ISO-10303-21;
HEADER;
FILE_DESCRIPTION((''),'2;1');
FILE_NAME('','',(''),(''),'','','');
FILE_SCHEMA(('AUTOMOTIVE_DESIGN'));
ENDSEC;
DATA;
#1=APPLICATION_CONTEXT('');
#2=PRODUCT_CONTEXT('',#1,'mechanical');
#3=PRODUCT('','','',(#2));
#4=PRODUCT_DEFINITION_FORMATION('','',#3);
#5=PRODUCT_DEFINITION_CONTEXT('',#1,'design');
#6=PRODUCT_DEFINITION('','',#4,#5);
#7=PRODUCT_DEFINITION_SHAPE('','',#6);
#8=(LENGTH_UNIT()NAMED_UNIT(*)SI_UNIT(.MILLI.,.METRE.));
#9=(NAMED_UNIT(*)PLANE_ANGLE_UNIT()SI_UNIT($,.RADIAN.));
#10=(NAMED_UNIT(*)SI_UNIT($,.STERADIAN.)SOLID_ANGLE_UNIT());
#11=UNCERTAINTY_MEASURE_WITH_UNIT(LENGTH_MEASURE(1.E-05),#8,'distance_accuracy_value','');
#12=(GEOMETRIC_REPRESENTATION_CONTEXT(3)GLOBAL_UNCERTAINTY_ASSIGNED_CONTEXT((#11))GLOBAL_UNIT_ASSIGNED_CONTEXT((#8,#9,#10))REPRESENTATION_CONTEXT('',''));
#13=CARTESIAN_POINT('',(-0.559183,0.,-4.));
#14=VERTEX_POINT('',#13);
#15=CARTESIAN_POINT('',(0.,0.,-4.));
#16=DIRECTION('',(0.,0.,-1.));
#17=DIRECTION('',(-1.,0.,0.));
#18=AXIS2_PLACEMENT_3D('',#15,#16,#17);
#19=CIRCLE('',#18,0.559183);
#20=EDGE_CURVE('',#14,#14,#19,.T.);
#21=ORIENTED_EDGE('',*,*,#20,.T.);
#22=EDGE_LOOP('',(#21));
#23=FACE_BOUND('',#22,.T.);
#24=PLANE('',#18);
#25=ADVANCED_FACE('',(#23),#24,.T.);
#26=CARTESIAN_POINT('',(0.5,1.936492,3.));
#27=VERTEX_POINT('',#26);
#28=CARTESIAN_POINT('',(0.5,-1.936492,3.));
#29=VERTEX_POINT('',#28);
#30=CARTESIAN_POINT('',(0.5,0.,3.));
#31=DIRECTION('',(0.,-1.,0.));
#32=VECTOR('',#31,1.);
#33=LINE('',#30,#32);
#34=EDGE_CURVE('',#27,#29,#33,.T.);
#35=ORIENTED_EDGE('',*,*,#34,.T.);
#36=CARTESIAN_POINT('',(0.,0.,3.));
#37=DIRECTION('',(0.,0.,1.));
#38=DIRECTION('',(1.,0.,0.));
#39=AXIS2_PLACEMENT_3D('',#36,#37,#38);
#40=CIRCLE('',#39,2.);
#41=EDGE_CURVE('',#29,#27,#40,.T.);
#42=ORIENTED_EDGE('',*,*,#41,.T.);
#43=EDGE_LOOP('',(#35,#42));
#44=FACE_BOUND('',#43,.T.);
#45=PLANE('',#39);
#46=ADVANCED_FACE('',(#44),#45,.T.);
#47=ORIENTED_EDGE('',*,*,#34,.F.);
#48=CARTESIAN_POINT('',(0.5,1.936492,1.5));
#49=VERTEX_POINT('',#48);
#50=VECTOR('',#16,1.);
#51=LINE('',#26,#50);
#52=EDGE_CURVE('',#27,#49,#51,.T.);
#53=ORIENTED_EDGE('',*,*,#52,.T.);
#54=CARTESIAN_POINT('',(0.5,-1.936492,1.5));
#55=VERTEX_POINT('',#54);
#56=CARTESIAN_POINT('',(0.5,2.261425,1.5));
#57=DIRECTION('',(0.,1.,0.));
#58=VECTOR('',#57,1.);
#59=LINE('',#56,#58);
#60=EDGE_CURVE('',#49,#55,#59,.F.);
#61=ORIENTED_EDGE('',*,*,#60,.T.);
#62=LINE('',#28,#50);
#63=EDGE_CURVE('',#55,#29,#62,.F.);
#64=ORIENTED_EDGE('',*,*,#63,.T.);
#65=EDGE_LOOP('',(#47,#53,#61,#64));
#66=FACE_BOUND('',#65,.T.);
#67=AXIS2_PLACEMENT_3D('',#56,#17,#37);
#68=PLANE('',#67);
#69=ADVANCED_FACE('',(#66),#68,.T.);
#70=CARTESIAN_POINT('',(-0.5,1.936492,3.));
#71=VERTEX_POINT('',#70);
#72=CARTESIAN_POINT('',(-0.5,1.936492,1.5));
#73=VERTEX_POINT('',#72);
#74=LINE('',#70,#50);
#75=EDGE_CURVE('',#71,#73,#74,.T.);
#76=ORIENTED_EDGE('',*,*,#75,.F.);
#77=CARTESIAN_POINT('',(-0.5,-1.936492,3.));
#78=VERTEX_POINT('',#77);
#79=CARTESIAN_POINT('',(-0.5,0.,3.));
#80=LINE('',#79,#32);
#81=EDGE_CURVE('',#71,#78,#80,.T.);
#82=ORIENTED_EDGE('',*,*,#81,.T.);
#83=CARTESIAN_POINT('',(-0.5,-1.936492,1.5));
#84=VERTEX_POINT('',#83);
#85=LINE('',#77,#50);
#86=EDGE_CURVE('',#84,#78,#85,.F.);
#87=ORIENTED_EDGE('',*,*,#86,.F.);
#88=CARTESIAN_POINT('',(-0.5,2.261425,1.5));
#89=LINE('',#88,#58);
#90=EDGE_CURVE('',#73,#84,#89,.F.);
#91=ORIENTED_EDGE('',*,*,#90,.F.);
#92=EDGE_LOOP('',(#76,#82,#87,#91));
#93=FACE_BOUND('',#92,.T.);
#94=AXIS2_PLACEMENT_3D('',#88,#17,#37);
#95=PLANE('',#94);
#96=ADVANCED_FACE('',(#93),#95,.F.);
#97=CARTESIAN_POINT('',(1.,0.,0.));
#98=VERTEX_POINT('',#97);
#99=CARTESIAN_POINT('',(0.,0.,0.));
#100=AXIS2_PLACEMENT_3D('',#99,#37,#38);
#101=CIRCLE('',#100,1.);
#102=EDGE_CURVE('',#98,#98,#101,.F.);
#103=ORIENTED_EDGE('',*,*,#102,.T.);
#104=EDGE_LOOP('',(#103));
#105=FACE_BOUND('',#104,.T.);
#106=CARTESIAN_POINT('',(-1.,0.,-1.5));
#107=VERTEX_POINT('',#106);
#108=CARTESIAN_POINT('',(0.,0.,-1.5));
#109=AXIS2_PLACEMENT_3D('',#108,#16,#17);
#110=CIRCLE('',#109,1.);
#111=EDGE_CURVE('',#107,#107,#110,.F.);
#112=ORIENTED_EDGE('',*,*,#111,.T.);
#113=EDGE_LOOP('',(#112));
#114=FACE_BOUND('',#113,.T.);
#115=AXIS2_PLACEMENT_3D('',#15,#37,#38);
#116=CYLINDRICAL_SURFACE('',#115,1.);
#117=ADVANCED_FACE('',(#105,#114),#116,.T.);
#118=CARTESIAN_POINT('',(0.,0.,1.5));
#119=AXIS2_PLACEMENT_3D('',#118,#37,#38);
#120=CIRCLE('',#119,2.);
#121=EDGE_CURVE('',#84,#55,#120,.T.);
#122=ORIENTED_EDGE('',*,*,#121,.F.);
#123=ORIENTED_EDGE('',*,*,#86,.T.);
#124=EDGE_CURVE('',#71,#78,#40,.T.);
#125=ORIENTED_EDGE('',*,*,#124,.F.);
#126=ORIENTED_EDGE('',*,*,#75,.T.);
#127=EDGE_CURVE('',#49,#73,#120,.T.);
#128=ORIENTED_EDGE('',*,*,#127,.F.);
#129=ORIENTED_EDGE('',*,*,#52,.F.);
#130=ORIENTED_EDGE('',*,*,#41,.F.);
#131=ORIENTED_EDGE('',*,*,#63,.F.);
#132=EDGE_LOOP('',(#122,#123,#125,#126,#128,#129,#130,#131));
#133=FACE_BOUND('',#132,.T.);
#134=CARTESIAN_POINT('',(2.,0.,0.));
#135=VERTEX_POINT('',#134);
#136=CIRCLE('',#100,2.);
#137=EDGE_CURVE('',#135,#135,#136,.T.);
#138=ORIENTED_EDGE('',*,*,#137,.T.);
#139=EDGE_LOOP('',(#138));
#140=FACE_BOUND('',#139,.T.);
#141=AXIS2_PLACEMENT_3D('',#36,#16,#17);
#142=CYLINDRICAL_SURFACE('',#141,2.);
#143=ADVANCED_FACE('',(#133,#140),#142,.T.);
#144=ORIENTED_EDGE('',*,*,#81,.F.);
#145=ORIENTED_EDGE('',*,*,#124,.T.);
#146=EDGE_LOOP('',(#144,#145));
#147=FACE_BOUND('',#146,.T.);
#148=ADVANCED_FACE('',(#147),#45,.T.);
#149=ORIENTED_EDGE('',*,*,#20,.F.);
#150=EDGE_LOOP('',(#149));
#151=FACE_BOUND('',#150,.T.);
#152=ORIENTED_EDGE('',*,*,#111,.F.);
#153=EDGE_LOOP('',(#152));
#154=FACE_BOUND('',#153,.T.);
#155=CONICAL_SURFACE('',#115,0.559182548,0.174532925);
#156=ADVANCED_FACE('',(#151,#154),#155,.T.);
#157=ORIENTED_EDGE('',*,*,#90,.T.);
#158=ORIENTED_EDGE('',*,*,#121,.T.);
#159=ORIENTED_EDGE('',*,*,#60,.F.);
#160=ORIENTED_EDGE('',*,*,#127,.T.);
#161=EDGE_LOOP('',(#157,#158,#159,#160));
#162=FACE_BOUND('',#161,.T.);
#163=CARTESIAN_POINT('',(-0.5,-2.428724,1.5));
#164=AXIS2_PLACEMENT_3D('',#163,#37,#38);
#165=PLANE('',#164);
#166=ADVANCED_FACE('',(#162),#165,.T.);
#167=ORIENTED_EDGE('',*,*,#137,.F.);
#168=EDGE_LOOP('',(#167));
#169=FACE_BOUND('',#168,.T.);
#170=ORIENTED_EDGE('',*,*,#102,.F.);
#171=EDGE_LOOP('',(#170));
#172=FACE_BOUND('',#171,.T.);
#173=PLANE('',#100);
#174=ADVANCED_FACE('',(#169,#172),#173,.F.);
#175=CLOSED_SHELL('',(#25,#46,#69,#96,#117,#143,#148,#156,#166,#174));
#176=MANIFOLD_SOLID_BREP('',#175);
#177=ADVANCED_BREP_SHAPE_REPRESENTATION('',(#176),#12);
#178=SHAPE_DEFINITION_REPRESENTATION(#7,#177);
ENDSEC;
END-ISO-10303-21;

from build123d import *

# Parameters (mm, degrees)
ESQUISSE1_R                     = 2
BASE_EXTRUSION_DEPTH            = 3
ESQUISSE2_R                     = 1
BOSS_EXTRU_1_DEPTH              = 4
CHANFREIN2_SIZE                 = 2.5
CHANFREIN2_SIZE2                = 0.440817452
ESQUISSE3_W                     = 1
ESQUISSE3_H                     = 4.690148878
ENL_V_DE_MAT_EXTRU_MINCE1_DEPTH = 1.5


with BuildPart() as part:
    # Esquisse1 → Base-Extrusion (new body)
    with BuildSketch(Plane.XY):
        Circle(ESQUISSE1_R)
    extrude(amount=BASE_EXTRUSION_DEPTH)

    # Esquisse2 → Boss.-Extru.1 (add)
    with BuildSketch(Plane(origin=(0, 0, 0), x_dir=(-1, 0, 0), z_dir=(0, 0, -1))):
        with Locations(Location((0, 0, 0), (0, 0, 180))):
            Circle(ESQUISSE2_R)
    extrude(amount=BOSS_EXTRU_1_DEPTH)

    # Chanfrein2
    chanfrein2_edges = [part.edges().sort_by_distance(p)[0] for p in [
        (-1, 0, -4),
    ]]
    chanfrein2_side = [part.faces().sort_by_distance(p)[0] for p in [
        (-1, 0, -2),
    ]]
    chamfer(chanfrein2_edges, length=CHANFREIN2_SIZE, length2=CHANFREIN2_SIZE2, reference=chanfrein2_side[0])

    # Esquisse3 → Enlèv. de mat.-Extru.-Mince1 (cut)
    with BuildSketch(Plane.XY.offset(3)):
        with Locations((0, -0.083649642)):
            Rectangle(ESQUISSE3_W, ESQUISSE3_H)
    extrude(amount=-ENL_V_DE_MAT_EXTRU_MINCE1_DEPTH, mode=Mode.SUBTRACT)


solid = part.part
